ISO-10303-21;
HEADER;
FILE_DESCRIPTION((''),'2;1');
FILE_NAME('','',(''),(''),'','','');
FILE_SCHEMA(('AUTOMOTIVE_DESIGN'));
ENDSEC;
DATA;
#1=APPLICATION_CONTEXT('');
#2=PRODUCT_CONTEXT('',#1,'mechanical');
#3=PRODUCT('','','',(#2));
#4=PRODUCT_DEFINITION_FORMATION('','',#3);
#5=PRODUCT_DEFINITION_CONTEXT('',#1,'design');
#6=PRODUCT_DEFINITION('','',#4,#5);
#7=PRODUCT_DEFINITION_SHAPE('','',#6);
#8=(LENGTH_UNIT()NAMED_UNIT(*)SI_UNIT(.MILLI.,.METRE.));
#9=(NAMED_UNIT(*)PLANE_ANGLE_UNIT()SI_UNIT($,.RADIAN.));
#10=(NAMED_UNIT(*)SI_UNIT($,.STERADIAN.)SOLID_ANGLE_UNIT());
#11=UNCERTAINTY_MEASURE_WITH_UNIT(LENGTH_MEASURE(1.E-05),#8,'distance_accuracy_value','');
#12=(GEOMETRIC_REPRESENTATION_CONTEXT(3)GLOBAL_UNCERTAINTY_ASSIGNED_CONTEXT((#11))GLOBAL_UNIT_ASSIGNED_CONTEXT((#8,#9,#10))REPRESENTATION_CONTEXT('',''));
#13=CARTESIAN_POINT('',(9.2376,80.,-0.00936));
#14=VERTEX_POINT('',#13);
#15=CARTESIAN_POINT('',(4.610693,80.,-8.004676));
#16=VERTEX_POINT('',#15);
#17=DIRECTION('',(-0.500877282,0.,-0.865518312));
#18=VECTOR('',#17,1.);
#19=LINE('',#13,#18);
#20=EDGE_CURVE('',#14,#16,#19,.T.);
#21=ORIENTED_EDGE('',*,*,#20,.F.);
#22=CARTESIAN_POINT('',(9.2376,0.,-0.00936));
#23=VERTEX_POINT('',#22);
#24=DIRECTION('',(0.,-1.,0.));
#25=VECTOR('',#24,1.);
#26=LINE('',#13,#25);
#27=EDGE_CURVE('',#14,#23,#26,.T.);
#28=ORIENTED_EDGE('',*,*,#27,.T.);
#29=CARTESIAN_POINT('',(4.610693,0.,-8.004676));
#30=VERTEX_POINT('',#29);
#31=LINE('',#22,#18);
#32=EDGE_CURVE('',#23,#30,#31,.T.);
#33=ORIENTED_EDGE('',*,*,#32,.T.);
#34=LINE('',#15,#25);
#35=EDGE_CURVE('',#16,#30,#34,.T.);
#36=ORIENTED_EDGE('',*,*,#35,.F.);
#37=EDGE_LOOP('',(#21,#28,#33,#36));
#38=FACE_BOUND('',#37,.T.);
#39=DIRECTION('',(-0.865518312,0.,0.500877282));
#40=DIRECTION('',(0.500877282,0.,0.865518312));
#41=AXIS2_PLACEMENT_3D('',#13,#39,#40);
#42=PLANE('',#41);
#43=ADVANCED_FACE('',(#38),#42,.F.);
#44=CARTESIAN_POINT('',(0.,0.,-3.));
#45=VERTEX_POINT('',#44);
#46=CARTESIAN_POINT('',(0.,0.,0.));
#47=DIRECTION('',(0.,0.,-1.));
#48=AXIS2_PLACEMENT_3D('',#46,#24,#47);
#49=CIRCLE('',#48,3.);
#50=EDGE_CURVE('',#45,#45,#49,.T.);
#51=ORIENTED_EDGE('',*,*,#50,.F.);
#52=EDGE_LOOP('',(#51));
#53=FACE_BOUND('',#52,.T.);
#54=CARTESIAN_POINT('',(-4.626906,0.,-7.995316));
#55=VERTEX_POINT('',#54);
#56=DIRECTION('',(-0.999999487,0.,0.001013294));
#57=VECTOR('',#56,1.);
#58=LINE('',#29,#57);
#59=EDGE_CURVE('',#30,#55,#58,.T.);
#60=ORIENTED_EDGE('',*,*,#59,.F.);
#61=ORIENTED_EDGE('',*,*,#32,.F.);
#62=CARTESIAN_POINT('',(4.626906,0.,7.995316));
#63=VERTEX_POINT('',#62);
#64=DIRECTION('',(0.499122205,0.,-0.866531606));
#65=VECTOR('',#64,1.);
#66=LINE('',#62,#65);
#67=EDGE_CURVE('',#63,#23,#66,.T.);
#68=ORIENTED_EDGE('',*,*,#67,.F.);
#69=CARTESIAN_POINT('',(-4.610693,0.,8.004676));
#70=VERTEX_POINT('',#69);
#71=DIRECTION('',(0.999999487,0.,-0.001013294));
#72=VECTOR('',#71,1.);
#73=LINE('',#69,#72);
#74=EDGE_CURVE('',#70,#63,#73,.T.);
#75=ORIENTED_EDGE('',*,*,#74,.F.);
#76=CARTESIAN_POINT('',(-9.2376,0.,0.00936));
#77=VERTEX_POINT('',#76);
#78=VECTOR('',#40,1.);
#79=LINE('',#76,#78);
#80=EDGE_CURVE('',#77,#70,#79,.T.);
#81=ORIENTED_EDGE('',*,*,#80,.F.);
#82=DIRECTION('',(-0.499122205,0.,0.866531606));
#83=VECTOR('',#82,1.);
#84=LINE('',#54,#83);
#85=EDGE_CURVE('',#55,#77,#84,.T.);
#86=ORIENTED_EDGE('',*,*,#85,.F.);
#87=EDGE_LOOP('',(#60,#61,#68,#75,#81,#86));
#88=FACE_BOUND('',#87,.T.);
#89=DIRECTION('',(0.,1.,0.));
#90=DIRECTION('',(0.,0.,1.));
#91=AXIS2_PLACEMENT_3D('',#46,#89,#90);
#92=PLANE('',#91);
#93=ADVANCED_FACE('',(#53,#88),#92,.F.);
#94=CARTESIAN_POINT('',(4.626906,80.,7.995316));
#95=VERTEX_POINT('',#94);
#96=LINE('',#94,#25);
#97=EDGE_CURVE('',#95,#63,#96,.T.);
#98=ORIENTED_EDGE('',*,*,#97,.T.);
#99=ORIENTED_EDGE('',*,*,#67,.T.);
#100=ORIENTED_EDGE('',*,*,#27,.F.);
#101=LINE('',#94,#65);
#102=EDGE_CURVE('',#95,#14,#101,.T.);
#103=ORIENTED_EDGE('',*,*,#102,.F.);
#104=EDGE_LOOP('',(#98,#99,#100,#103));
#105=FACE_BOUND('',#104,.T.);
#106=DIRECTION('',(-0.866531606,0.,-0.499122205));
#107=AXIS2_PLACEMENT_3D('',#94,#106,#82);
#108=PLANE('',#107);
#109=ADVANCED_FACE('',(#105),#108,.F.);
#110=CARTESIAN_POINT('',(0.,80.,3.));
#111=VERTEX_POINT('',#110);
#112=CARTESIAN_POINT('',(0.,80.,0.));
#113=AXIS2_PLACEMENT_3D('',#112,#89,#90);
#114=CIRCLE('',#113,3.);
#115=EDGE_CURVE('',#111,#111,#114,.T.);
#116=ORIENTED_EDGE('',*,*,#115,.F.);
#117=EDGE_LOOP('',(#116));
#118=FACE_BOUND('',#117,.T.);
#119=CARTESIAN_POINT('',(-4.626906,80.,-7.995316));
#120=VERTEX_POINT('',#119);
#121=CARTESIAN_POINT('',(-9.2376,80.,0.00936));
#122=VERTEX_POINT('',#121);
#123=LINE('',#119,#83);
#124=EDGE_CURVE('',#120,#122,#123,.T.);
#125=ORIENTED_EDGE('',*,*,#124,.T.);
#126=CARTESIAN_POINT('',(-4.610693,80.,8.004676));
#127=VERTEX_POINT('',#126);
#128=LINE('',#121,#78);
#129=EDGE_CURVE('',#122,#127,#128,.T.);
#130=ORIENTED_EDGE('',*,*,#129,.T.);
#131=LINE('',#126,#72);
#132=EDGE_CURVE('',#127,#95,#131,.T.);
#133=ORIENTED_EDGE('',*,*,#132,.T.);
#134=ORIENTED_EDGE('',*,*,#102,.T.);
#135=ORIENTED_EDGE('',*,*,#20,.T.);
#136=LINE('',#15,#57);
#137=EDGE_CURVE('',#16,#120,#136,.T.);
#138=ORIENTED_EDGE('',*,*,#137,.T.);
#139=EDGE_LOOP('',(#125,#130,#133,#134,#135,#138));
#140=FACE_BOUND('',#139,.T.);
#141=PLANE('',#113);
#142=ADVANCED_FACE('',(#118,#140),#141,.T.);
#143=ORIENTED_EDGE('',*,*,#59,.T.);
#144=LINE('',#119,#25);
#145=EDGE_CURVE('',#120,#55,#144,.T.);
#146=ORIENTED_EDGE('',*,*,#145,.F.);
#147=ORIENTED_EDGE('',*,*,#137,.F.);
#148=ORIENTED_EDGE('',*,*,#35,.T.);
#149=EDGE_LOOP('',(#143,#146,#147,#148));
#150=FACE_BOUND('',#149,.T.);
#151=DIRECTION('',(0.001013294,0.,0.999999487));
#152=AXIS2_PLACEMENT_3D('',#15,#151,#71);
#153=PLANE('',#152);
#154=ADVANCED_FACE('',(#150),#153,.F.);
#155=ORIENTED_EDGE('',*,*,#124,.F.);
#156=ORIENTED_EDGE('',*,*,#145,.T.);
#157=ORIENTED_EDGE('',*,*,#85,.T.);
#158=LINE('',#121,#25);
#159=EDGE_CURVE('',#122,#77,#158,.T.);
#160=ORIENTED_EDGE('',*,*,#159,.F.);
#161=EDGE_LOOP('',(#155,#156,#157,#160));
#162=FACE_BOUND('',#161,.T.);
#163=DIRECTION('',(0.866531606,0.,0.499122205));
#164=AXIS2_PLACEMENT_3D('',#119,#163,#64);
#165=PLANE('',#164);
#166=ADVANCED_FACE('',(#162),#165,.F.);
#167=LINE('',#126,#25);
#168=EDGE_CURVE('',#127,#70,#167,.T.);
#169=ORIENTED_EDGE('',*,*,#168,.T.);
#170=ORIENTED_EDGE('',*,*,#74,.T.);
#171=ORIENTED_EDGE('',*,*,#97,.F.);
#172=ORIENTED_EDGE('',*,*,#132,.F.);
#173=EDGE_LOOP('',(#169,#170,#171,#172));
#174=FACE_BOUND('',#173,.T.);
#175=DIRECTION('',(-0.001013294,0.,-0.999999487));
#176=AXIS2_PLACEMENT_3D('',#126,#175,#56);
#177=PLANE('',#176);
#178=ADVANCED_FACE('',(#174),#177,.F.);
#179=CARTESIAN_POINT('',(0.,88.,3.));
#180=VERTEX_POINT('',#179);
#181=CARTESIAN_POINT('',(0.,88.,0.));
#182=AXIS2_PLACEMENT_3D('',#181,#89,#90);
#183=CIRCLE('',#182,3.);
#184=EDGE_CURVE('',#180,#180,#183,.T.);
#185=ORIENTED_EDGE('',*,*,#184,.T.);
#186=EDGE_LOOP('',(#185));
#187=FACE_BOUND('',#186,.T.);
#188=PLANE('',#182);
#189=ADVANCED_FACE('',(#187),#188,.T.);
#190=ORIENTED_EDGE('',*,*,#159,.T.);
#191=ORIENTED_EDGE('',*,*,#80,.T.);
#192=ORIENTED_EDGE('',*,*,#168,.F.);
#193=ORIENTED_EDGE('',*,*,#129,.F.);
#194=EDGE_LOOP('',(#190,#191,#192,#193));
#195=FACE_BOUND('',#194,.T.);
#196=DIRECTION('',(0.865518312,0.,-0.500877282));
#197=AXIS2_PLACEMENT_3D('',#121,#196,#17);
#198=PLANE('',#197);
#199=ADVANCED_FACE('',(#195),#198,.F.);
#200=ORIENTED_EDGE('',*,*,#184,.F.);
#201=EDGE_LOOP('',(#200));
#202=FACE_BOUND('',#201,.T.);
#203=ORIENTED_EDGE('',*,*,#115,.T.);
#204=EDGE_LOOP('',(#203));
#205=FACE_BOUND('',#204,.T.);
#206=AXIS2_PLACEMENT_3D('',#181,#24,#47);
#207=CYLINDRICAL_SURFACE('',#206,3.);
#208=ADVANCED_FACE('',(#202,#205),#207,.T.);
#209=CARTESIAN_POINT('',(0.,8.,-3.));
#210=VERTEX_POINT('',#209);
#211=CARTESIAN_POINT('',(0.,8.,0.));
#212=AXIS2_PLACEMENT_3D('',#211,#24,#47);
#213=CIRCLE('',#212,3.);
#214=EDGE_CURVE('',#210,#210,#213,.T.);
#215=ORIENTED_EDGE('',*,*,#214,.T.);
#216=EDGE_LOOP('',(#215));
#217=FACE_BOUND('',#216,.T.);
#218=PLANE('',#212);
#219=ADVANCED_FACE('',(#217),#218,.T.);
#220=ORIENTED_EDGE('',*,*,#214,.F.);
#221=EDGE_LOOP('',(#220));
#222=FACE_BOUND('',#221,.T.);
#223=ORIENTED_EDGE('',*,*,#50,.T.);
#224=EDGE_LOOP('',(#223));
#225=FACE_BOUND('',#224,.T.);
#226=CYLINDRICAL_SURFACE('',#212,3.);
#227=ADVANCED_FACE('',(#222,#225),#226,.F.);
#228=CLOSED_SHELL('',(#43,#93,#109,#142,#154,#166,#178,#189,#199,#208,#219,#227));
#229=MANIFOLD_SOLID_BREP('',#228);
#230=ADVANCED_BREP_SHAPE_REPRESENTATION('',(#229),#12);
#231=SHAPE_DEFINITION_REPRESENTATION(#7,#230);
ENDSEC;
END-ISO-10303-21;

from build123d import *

# Parameters (mm, degrees)
EXTRUDE_1_DEPTH     = 80
SKETCH_2_R          = 3
EXTRUDE_2_DEPTH     = 8
SKETCH_3_R          = 3
CUT_EXTRUDE_1_DEPTH = 8


with BuildPart() as part:
    # 草图1 → 凸台-拉伸1 (new body)
    with BuildSketch(Plane(origin=(0, 0, 0), x_dir=(1, 0, 0), z_dir=(0, 1, 0))):
        Polygon((4.610693432, 8.004676097), (-4.626906133, 7.995315689), (-9.237599565, -0.009360407), (-4.610693432, -8.004676097), (4.626906133, -7.995315689), (9.237599565, 0.009360407), align=None)
    extrude(amount=EXTRUDE_1_DEPTH)

    # 草图2 → 凸台-拉伸2 (add)
    with BuildSketch(Plane(origin=(0, 80, 0), x_dir=(1, 0, 0), z_dir=(0, 1, 0))):
        Circle(SKETCH_2_R)
    extrude(amount=EXTRUDE_2_DEPTH)

    # 草图3 → 切除-拉伸1 (cut)
    with BuildSketch(Plane.XZ):
        Circle(SKETCH_3_R)
    extrude(amount=-CUT_EXTRUDE_1_DEPTH, mode=Mode.SUBTRACT)


solid = part.part
